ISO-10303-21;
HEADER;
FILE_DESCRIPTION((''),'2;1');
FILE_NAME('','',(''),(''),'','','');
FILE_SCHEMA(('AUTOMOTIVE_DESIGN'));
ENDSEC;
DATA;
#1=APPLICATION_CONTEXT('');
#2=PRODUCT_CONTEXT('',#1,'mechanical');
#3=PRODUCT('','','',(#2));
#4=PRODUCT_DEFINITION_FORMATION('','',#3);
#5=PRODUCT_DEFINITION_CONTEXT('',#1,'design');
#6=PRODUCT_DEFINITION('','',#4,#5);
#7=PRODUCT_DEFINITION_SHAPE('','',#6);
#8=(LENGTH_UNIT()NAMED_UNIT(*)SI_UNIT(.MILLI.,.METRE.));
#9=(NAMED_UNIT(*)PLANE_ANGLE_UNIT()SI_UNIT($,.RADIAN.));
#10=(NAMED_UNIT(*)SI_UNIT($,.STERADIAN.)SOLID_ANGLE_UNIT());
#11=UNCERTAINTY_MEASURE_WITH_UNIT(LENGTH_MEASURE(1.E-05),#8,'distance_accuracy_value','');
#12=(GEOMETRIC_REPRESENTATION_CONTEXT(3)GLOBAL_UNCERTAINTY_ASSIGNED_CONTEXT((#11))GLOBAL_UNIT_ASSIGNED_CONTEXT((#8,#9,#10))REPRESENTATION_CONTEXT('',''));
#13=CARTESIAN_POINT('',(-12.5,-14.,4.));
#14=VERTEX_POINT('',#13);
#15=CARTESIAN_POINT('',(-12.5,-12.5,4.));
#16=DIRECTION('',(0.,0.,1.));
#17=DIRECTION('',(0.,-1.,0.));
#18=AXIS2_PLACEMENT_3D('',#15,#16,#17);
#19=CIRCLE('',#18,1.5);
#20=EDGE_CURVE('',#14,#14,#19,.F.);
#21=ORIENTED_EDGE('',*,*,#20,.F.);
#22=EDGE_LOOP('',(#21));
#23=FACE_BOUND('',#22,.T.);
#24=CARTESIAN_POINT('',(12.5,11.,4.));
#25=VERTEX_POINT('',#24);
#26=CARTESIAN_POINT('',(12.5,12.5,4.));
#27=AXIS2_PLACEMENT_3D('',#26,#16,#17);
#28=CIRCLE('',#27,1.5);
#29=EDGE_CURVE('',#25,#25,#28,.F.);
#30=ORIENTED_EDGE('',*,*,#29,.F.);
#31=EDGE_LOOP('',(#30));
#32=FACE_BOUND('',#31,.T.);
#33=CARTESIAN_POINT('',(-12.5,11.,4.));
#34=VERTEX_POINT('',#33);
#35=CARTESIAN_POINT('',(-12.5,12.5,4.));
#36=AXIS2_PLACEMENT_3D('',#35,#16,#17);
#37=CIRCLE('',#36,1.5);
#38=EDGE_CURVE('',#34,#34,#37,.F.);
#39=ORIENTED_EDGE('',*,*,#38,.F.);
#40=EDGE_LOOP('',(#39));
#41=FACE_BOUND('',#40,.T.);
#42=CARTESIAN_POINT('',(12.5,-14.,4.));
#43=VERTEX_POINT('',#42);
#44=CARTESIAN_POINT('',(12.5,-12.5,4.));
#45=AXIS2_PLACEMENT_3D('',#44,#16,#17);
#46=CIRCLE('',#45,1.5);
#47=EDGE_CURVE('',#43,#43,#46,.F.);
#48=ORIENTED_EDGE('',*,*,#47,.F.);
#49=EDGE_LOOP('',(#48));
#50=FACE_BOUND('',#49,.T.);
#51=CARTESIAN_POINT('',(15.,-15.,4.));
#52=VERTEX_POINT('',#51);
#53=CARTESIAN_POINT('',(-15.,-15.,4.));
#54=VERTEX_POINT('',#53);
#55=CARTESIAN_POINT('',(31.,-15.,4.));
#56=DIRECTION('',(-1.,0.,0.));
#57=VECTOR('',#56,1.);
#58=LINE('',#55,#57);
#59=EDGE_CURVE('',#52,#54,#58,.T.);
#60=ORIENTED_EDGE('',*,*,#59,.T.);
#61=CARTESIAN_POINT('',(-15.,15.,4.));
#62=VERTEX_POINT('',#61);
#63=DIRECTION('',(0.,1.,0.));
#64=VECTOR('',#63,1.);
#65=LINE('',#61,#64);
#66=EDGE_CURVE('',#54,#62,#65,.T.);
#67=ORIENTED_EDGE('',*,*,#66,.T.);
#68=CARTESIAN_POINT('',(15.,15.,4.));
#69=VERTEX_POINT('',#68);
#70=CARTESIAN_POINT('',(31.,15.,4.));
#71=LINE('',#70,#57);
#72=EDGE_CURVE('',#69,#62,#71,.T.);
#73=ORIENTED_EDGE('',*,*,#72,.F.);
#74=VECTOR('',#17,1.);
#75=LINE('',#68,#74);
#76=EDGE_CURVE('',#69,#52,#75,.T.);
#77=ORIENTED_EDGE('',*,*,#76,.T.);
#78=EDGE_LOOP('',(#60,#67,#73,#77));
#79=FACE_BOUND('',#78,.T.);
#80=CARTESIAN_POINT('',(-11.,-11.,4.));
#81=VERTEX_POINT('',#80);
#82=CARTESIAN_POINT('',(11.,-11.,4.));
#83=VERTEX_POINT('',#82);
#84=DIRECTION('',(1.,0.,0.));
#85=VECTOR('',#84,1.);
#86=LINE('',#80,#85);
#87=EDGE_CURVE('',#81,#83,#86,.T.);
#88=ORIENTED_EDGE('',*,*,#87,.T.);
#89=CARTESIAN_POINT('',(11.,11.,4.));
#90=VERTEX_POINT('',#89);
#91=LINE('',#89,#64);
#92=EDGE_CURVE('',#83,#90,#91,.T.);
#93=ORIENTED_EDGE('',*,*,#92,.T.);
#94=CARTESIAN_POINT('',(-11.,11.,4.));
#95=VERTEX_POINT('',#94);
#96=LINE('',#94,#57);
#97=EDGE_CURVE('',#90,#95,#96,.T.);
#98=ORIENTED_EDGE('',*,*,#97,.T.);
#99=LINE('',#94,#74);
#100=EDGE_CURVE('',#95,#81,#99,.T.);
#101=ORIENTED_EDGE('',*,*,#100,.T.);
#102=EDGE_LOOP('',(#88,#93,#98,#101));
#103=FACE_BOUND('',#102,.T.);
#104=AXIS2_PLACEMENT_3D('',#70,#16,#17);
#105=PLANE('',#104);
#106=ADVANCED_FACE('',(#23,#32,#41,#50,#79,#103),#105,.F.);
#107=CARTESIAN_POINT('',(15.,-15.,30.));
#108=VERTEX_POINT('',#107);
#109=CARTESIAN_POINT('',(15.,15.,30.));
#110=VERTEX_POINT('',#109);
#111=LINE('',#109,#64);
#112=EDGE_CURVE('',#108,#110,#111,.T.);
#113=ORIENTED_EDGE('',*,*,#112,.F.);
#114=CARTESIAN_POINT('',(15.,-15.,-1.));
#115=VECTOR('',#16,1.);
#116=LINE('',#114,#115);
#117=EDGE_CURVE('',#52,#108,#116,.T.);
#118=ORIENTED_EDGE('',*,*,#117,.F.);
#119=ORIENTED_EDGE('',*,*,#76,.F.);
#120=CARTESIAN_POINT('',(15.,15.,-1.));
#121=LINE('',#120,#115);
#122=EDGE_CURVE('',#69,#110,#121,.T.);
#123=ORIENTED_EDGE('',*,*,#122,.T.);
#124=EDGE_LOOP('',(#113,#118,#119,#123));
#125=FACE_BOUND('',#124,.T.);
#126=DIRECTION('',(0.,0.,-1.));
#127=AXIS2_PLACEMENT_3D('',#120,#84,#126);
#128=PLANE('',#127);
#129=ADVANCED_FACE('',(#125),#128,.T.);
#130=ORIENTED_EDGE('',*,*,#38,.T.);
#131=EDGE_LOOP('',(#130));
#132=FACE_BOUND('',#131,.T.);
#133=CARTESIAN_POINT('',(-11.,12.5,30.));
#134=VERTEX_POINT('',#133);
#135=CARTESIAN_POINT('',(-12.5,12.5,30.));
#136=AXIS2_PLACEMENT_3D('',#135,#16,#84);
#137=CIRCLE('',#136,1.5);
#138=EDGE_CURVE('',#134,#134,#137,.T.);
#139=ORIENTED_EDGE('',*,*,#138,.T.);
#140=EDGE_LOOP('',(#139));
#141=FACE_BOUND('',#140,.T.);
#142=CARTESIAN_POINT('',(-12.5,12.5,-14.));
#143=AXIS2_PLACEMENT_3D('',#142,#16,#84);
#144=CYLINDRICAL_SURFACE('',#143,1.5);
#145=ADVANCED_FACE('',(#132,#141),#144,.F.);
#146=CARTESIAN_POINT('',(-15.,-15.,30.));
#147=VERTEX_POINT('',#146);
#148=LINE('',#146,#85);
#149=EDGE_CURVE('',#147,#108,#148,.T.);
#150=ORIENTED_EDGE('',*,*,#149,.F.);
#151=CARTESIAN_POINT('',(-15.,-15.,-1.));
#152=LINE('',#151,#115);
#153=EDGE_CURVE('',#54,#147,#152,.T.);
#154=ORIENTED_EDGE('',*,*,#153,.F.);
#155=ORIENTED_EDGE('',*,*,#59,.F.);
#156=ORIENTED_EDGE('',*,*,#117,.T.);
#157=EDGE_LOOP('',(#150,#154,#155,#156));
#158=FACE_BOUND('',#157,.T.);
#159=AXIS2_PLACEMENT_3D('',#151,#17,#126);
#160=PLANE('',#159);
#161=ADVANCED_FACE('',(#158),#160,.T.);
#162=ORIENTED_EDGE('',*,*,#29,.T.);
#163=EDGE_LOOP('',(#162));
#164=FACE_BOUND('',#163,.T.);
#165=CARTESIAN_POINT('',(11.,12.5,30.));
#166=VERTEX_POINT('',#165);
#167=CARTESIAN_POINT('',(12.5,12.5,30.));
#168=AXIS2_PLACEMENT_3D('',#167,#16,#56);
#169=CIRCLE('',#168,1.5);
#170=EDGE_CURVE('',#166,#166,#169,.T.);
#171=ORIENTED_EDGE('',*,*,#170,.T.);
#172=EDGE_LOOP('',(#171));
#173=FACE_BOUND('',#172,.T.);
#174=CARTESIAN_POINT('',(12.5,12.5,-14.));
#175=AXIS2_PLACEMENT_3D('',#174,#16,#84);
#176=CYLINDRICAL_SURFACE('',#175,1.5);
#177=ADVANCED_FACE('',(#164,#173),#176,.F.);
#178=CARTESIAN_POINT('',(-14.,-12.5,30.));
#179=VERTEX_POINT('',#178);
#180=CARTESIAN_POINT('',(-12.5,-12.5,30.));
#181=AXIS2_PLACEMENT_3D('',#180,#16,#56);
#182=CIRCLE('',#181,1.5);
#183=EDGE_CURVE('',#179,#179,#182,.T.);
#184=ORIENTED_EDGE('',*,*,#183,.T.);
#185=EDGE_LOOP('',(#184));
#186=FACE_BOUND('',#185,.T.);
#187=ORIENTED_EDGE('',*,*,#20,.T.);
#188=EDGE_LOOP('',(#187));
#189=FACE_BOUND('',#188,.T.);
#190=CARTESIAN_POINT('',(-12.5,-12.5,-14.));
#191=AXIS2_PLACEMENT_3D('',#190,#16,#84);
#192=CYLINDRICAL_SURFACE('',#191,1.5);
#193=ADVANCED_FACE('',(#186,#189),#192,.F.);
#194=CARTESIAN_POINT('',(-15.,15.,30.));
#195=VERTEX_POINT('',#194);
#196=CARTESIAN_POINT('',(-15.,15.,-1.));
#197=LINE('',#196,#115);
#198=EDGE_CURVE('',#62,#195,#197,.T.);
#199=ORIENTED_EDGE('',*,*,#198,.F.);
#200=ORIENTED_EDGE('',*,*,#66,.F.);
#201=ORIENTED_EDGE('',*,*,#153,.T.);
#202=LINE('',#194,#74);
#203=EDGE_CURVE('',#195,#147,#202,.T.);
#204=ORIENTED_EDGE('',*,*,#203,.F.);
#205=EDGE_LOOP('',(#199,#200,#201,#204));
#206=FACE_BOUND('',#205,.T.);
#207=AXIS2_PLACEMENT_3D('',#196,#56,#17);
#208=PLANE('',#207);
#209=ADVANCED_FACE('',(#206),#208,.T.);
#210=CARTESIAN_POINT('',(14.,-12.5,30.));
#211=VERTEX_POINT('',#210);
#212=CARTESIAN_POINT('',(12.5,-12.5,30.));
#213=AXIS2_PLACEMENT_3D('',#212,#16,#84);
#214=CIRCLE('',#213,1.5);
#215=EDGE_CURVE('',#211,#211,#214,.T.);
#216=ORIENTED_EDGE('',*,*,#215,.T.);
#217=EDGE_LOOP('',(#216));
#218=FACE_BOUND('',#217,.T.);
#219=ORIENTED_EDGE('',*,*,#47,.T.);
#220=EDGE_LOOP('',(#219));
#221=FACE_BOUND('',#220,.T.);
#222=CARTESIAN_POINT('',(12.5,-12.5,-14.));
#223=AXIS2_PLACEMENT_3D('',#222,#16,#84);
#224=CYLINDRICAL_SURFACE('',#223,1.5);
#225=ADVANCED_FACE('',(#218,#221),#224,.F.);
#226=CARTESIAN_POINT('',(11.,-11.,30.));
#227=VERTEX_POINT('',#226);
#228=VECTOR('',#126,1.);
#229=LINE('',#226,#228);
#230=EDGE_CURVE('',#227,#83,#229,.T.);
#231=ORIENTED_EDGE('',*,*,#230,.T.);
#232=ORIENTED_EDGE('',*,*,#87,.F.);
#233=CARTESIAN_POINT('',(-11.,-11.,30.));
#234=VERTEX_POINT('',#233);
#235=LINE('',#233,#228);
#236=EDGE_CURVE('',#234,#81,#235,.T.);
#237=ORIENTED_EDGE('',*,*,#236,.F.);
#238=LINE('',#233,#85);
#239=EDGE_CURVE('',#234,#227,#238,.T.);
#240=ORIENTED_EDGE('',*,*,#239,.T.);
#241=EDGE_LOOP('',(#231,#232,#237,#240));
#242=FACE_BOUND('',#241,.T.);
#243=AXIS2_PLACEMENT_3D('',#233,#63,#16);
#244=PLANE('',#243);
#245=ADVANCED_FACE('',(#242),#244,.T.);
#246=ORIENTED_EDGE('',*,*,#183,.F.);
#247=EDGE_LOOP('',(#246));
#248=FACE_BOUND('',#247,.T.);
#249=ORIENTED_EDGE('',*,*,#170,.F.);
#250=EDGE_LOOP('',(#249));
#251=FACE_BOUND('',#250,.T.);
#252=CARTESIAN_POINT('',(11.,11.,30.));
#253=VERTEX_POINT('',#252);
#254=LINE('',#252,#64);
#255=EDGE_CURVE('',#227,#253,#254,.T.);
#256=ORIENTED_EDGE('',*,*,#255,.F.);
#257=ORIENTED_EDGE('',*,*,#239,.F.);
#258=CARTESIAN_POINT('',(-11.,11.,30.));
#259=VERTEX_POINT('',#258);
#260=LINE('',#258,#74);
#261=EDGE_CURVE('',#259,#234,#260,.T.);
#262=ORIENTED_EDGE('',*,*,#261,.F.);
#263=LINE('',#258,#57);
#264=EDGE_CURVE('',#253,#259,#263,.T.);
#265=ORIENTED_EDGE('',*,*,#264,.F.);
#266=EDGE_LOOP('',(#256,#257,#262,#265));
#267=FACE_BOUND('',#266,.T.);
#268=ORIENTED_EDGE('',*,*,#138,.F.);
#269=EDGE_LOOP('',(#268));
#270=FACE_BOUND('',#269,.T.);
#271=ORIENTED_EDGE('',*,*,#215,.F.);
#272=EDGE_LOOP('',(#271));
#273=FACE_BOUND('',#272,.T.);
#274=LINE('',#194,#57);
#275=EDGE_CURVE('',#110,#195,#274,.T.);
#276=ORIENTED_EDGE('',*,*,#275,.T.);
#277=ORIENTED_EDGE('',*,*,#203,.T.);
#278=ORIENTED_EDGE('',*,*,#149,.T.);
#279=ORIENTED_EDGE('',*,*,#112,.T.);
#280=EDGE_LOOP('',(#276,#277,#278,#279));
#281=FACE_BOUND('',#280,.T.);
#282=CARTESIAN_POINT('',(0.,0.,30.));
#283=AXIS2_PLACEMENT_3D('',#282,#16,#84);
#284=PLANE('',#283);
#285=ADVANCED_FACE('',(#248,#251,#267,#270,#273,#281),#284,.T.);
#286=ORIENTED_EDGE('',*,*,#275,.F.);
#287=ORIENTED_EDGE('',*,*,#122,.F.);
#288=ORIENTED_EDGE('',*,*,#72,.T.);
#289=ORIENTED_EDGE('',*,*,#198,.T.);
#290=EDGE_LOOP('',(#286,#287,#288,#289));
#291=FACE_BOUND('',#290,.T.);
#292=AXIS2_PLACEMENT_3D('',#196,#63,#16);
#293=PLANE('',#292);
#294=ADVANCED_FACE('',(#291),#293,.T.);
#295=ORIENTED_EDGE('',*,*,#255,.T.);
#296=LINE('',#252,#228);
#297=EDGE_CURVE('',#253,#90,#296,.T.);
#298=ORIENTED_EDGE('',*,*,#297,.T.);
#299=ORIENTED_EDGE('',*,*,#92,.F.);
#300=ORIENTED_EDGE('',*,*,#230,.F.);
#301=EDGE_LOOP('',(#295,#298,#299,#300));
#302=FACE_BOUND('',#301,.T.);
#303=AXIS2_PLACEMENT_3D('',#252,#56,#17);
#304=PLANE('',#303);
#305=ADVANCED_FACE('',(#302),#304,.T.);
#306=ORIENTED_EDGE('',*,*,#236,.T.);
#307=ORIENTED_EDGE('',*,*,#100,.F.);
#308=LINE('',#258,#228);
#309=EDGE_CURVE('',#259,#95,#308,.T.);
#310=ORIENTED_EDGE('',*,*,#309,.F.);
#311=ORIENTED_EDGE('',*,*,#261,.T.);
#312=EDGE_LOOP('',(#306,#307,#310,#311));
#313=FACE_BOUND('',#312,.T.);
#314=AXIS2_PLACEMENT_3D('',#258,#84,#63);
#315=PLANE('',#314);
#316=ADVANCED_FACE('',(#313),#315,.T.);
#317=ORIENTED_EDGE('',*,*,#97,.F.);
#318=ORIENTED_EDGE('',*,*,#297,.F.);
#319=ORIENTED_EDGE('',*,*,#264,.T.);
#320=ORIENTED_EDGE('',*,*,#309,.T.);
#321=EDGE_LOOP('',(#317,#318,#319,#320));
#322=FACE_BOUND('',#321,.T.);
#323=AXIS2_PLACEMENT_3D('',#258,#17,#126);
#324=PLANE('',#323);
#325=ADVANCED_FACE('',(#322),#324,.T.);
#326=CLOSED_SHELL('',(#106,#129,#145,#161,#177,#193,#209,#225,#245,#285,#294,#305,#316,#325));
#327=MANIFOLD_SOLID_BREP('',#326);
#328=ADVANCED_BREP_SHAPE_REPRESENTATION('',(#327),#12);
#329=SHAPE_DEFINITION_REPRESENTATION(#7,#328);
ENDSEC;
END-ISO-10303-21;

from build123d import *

# Parameters (mm, degrees)
CROQUIS1_W              = 30
CROQUIS1_H              = 30
CROQUIS1_R              = 1
SALIENTE_EXTRUIR2_DEPTH = 1
CROQUIS2_W              = 30
CROQUIS2_H              = 30
CROQUIS2_W_2            = 22
CROQUIS2_H_2            = 22
SALIENTE_EXTRUIR3_DEPTH = 30
CROQUIS4_R              = 1.5
CORTAR_EXTRUIR2_DEPTH   = 44
CROQUIS6_W              = 5
CROQUIS6_H              = 30
CORTAR_EXTRUIR4_DEPTH   = 46


with BuildPart() as part:
    # Croquis1 → Saliente-Extruir2 (new body)
    with BuildSketch(Plane.XY):
        Rectangle(CROQUIS1_W, CROQUIS1_H)
        with Locations((-8, 0)):
            Circle(CROQUIS1_R, mode=Mode.SUBTRACT)
        with Locations((8, 0)):
            Circle(CROQUIS1_R, mode=Mode.SUBTRACT)
        with BuildLine():
            Line((-1.75, 4.25), (1.75, 4.25))
            ThreePointArc((1.75, 4.25), (6, 0), (1.75, -4.25))
            Line((1.75, -4.25), (-1.75, -4.25))
            ThreePointArc((-1.75, -4.25), (-6, 0), (-1.75, 4.25))
        make_face(mode=Mode.SUBTRACT)
    extrude(amount=-SALIENTE_EXTRUIR2_DEPTH)

    # Croquis2 → Saliente-Extruir3 (add)
    with BuildSketch(Plane.XY):
        Rectangle(CROQUIS2_W, CROQUIS2_H)
        Rectangle(CROQUIS2_W_2, CROQUIS2_H_2, mode=Mode.SUBTRACT)
    extrude(amount=SALIENTE_EXTRUIR3_DEPTH)

    # Croquis4 → Cortar-Extruir2 (cut)
    with BuildSketch(Plane.XY.offset(30)):
        with Locations((-12.5, 12.5)):
            Circle(CROQUIS4_R)
        with Locations((12.5, 12.5)):
            Circle(CROQUIS4_R)
        with Locations((12.5, -12.5)):
            Circle(CROQUIS4_R)
        with Locations((-12.5, -12.5)):
            Circle(CROQUIS4_R)
    extrude(amount=-CORTAR_EXTRUIR2_DEPTH, mode=Mode.SUBTRACT)

    # Croquis6 → Cortar-Extruir4 (cut)
    with BuildSketch(Plane.ZY.offset(15)):
        with Locations((1.5, 0)):
            Rectangle(CROQUIS6_W, CROQUIS6_H)
    extrude(amount=-CORTAR_EXTRUIR4_DEPTH, mode=Mode.SUBTRACT)


solid = part.part
